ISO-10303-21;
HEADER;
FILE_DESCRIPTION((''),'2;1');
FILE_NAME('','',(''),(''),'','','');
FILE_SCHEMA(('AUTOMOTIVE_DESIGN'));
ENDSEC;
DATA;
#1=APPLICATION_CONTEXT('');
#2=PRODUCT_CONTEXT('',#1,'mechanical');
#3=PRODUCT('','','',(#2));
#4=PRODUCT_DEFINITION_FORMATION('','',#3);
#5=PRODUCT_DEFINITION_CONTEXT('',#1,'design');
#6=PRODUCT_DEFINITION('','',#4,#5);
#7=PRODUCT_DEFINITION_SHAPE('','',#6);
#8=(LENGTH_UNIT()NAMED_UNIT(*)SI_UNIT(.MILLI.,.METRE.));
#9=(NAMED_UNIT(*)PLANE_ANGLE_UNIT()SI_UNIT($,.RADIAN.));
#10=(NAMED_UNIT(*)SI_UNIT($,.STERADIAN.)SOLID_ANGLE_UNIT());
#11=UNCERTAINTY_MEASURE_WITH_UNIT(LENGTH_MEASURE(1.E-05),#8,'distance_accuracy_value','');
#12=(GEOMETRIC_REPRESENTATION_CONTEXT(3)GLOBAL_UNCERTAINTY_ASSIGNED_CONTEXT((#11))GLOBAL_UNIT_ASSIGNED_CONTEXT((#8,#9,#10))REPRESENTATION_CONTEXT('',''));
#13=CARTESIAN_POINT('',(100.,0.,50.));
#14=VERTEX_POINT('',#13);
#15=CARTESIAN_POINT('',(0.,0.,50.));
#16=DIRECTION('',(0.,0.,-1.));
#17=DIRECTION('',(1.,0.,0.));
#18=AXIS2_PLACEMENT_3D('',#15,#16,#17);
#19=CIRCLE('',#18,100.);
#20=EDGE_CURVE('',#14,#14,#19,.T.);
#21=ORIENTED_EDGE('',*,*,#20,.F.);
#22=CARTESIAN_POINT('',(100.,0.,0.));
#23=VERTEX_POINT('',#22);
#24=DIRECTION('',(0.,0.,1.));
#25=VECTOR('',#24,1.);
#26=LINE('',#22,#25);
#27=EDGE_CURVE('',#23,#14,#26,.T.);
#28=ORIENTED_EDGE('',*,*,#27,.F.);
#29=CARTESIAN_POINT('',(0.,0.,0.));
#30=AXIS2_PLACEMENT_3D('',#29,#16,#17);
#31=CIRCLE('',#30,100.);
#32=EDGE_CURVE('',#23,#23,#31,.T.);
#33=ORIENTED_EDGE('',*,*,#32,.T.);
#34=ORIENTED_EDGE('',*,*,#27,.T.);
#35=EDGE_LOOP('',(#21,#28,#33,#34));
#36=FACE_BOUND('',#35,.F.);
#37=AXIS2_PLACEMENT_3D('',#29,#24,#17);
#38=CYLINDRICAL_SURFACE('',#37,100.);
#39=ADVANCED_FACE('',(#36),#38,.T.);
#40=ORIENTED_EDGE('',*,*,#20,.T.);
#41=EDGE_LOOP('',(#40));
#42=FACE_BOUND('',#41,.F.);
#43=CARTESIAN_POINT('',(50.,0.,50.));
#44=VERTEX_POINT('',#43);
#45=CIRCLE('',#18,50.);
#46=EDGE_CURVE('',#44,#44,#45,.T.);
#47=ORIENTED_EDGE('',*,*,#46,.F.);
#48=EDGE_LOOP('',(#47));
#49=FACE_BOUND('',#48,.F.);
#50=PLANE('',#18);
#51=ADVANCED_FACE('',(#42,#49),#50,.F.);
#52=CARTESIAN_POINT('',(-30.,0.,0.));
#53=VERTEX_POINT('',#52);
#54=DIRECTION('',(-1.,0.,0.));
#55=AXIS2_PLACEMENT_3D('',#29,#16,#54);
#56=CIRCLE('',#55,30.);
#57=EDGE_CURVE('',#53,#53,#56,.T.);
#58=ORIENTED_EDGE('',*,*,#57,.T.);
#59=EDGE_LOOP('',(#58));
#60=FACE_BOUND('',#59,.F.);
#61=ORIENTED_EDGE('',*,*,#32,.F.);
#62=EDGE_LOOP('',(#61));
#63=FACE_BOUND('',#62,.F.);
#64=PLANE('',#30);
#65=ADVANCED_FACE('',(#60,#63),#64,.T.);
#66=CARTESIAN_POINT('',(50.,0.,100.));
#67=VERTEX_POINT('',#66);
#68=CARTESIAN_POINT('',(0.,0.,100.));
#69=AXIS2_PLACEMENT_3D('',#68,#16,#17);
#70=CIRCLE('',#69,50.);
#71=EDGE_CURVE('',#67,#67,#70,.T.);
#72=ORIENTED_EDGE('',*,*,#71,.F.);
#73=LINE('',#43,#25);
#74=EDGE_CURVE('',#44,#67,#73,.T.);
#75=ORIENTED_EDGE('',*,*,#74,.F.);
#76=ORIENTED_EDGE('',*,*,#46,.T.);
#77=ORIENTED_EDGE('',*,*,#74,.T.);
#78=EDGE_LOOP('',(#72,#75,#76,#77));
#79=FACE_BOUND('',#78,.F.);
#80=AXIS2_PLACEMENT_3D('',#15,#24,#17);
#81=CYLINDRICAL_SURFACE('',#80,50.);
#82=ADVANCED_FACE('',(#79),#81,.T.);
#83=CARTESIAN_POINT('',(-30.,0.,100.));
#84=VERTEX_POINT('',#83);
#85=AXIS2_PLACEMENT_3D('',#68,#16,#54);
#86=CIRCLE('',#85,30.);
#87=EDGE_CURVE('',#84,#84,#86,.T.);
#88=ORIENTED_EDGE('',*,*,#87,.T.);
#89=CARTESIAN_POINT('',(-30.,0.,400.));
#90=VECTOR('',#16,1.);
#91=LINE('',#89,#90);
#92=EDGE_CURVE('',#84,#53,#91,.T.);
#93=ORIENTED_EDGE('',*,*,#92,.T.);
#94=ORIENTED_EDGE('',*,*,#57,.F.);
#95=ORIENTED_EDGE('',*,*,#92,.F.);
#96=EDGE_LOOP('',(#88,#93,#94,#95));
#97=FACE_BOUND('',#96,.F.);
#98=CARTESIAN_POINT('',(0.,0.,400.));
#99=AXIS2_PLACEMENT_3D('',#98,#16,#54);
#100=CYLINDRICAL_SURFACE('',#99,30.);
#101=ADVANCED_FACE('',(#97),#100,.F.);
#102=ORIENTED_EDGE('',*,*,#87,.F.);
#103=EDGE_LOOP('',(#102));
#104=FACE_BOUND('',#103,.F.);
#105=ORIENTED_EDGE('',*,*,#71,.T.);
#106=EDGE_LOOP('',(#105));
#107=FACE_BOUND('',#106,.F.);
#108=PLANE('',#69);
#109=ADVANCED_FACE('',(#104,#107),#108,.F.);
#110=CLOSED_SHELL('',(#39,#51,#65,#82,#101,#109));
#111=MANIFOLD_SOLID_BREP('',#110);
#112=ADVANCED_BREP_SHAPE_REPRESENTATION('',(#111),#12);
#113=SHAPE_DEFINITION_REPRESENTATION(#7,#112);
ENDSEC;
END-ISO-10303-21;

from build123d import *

# Parameters (mm, degrees)
F3_D = 60


with BuildPart() as f1:
    # F0 (on Front) → F1 (revolve)
    with BuildSketch(Plane.XZ):
        Polygon((0, 100), (0, 0), (100, 0), (100, 50), (50, 50), (50, 100), align=None)
    revolve(axis=Axis((0, 0, 50), (0, 0, -1)))

    # F3 (through all)
    with Locations(Plane.XY.offset(100)):
        with Locations((0, 0)):
            Hole(F3_D / 2)


solid = f1.part
